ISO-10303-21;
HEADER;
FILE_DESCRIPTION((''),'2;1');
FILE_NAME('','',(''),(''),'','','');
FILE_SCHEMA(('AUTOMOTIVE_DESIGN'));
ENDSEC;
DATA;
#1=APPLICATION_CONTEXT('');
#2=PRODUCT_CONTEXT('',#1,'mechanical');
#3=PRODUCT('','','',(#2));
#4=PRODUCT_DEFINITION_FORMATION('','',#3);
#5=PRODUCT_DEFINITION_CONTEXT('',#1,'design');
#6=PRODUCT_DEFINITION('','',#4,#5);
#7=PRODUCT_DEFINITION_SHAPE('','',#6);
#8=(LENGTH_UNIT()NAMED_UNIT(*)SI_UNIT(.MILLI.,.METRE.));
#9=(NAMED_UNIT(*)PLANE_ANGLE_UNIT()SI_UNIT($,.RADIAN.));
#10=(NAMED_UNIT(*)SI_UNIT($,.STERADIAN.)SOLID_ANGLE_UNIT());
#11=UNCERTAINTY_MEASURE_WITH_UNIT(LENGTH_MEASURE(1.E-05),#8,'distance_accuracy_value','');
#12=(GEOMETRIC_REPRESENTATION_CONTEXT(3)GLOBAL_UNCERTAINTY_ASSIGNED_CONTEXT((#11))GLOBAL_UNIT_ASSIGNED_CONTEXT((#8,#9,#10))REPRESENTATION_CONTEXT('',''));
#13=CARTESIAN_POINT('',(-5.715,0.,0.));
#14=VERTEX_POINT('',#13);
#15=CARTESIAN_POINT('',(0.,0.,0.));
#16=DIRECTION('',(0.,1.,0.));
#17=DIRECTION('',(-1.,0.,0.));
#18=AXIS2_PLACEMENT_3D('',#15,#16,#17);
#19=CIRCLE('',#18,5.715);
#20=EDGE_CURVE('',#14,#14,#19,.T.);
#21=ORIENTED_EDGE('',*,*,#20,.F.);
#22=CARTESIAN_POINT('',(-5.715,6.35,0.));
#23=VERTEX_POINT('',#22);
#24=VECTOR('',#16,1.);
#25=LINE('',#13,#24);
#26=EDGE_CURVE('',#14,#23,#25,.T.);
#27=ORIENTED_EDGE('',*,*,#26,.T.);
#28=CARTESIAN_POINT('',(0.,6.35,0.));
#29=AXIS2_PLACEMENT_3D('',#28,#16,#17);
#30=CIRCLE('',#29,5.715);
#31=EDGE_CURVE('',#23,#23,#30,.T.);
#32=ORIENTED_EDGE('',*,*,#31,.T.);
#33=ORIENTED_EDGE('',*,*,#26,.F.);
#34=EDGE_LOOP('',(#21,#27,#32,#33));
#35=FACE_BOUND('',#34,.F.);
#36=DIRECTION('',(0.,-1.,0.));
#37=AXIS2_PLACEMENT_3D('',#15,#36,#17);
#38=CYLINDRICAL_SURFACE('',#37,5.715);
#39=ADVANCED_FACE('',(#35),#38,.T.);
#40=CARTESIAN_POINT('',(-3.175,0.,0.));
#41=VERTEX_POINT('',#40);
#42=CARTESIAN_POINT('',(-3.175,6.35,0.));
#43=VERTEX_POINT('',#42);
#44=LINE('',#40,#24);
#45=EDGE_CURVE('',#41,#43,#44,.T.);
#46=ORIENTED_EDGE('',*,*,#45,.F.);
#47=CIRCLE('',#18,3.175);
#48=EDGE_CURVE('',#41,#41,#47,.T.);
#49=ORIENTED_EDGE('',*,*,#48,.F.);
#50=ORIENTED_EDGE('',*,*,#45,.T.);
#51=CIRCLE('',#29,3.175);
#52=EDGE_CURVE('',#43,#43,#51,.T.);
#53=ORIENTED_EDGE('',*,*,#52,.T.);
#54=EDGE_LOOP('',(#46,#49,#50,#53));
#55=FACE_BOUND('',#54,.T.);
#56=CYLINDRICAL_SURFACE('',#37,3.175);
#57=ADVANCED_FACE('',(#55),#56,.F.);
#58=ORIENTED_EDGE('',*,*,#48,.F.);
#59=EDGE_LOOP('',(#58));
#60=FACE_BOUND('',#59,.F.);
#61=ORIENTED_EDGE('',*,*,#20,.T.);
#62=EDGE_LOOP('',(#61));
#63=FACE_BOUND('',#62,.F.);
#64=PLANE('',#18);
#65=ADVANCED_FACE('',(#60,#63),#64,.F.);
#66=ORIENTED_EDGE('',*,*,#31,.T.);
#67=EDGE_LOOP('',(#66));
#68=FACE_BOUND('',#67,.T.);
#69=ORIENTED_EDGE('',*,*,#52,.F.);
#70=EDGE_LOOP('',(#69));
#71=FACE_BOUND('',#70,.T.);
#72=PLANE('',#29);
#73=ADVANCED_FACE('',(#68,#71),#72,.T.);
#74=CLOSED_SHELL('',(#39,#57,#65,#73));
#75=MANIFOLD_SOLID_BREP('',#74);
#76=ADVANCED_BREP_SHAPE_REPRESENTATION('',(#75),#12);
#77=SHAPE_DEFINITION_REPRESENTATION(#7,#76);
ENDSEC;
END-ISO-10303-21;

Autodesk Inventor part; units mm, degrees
ref_plane "YZ Plane" through (0, 0, 0) normal (1, 0, 0) x (0, 1, 0)
ref_plane "XZ Plane" through (0, 0, 0) normal (0, 1, 0) x (-1, 0, 0)
ref_plane "XY Plane" through (0, 0, 0) normal (0, 0, 1) x (1, 0, 0)
sketch "Sketch1" plane through (0, 0, 0) normal (0, 1, 0) x (-1, 0, 0)
  circle A0 centre (0, 0) radius 3.175
  circle A1 centre (0, 0) radius 5.715
  dimension "d0" = 6.35
  dimension "d1" = 11.43
extrude "Extrusion1" add sketch "Sketch1" along normal blind 6.35
properties part number "Hitch Magnet"
